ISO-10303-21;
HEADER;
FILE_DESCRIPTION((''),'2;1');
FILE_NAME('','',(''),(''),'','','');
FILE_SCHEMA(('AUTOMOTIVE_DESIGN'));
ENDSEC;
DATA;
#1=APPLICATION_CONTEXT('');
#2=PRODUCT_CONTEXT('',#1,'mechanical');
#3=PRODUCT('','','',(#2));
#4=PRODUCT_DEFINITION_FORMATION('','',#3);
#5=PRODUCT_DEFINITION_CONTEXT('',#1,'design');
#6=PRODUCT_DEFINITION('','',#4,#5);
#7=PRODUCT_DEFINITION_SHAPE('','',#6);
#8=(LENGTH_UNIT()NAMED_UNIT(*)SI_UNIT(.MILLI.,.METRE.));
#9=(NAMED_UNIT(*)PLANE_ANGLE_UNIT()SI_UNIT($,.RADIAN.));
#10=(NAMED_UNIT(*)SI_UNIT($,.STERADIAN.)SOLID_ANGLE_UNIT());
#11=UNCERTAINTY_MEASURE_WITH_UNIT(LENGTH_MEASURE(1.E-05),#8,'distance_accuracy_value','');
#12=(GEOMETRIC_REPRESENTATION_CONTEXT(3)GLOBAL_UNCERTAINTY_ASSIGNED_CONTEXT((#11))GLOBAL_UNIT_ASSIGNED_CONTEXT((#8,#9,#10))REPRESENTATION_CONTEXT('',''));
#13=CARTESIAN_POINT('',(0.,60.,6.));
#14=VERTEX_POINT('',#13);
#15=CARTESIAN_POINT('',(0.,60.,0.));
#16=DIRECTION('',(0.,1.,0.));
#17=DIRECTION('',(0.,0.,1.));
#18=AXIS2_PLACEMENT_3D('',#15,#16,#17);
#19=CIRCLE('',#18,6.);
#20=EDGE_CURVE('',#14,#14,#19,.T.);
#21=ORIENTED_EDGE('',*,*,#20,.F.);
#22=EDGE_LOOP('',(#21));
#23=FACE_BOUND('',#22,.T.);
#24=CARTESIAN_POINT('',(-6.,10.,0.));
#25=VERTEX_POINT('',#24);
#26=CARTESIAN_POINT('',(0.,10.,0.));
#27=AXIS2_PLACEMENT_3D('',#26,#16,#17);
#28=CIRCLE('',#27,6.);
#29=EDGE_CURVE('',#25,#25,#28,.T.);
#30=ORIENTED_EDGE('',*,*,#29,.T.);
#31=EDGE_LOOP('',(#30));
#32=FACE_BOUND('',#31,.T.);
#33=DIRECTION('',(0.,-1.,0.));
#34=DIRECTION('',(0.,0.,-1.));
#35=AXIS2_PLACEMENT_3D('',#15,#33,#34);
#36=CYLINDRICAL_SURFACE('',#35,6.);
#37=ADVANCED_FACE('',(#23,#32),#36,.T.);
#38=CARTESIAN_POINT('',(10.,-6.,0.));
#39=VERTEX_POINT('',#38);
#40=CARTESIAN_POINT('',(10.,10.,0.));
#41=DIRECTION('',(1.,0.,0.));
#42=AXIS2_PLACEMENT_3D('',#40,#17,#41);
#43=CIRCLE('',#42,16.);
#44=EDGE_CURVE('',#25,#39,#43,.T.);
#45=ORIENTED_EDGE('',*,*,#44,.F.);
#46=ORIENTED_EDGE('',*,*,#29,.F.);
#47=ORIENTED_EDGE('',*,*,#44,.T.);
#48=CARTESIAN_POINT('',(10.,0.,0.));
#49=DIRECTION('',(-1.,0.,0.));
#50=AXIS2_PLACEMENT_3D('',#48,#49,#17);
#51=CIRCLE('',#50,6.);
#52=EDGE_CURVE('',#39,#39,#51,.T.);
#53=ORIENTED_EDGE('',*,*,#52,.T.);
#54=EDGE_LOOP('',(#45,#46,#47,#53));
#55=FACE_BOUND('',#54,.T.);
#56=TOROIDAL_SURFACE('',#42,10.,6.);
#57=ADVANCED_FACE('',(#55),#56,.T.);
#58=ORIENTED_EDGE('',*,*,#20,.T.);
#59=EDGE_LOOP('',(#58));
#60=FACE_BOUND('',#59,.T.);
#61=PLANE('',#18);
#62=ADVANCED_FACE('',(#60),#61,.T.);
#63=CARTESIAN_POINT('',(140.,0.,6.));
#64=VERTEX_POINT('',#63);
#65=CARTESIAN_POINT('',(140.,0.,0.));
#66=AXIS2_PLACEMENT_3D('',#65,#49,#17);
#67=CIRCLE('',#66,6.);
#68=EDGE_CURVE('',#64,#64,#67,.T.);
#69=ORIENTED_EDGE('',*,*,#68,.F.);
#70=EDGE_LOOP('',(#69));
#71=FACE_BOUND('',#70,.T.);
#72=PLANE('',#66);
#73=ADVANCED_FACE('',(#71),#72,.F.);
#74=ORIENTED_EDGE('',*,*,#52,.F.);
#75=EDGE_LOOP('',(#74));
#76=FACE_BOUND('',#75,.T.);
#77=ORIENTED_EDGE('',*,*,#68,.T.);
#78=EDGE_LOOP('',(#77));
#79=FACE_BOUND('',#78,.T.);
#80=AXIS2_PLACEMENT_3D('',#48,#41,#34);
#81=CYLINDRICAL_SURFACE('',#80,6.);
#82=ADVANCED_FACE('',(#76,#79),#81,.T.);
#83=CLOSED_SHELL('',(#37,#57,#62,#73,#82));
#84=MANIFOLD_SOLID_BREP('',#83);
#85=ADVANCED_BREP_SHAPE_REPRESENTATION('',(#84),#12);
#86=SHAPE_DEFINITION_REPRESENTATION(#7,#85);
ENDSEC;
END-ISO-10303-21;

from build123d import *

# Parameters (mm, degrees)
SKETCH4_R = 6


with BuildPart() as part:
    # Sweep1: sweep along a path in Sketch3
    with BuildLine(Plane.XY) as sweep1_path:
        Line((0, 60), (0, 10))
        ThreePointArc((0, 10), (2.928932188, 2.928932188), (10, 0))
        Line((10, 0), (140, 0))
    # Sketch4 → Sweep1 (sweep)
    with BuildSketch(Plane(origin=(0, 60, 0), x_dir=(1, 0, 0), z_dir=(0, 1, 0))):
        Circle(SKETCH4_R)
    sweep(path=sweep1_path.line)


solid = part.part
